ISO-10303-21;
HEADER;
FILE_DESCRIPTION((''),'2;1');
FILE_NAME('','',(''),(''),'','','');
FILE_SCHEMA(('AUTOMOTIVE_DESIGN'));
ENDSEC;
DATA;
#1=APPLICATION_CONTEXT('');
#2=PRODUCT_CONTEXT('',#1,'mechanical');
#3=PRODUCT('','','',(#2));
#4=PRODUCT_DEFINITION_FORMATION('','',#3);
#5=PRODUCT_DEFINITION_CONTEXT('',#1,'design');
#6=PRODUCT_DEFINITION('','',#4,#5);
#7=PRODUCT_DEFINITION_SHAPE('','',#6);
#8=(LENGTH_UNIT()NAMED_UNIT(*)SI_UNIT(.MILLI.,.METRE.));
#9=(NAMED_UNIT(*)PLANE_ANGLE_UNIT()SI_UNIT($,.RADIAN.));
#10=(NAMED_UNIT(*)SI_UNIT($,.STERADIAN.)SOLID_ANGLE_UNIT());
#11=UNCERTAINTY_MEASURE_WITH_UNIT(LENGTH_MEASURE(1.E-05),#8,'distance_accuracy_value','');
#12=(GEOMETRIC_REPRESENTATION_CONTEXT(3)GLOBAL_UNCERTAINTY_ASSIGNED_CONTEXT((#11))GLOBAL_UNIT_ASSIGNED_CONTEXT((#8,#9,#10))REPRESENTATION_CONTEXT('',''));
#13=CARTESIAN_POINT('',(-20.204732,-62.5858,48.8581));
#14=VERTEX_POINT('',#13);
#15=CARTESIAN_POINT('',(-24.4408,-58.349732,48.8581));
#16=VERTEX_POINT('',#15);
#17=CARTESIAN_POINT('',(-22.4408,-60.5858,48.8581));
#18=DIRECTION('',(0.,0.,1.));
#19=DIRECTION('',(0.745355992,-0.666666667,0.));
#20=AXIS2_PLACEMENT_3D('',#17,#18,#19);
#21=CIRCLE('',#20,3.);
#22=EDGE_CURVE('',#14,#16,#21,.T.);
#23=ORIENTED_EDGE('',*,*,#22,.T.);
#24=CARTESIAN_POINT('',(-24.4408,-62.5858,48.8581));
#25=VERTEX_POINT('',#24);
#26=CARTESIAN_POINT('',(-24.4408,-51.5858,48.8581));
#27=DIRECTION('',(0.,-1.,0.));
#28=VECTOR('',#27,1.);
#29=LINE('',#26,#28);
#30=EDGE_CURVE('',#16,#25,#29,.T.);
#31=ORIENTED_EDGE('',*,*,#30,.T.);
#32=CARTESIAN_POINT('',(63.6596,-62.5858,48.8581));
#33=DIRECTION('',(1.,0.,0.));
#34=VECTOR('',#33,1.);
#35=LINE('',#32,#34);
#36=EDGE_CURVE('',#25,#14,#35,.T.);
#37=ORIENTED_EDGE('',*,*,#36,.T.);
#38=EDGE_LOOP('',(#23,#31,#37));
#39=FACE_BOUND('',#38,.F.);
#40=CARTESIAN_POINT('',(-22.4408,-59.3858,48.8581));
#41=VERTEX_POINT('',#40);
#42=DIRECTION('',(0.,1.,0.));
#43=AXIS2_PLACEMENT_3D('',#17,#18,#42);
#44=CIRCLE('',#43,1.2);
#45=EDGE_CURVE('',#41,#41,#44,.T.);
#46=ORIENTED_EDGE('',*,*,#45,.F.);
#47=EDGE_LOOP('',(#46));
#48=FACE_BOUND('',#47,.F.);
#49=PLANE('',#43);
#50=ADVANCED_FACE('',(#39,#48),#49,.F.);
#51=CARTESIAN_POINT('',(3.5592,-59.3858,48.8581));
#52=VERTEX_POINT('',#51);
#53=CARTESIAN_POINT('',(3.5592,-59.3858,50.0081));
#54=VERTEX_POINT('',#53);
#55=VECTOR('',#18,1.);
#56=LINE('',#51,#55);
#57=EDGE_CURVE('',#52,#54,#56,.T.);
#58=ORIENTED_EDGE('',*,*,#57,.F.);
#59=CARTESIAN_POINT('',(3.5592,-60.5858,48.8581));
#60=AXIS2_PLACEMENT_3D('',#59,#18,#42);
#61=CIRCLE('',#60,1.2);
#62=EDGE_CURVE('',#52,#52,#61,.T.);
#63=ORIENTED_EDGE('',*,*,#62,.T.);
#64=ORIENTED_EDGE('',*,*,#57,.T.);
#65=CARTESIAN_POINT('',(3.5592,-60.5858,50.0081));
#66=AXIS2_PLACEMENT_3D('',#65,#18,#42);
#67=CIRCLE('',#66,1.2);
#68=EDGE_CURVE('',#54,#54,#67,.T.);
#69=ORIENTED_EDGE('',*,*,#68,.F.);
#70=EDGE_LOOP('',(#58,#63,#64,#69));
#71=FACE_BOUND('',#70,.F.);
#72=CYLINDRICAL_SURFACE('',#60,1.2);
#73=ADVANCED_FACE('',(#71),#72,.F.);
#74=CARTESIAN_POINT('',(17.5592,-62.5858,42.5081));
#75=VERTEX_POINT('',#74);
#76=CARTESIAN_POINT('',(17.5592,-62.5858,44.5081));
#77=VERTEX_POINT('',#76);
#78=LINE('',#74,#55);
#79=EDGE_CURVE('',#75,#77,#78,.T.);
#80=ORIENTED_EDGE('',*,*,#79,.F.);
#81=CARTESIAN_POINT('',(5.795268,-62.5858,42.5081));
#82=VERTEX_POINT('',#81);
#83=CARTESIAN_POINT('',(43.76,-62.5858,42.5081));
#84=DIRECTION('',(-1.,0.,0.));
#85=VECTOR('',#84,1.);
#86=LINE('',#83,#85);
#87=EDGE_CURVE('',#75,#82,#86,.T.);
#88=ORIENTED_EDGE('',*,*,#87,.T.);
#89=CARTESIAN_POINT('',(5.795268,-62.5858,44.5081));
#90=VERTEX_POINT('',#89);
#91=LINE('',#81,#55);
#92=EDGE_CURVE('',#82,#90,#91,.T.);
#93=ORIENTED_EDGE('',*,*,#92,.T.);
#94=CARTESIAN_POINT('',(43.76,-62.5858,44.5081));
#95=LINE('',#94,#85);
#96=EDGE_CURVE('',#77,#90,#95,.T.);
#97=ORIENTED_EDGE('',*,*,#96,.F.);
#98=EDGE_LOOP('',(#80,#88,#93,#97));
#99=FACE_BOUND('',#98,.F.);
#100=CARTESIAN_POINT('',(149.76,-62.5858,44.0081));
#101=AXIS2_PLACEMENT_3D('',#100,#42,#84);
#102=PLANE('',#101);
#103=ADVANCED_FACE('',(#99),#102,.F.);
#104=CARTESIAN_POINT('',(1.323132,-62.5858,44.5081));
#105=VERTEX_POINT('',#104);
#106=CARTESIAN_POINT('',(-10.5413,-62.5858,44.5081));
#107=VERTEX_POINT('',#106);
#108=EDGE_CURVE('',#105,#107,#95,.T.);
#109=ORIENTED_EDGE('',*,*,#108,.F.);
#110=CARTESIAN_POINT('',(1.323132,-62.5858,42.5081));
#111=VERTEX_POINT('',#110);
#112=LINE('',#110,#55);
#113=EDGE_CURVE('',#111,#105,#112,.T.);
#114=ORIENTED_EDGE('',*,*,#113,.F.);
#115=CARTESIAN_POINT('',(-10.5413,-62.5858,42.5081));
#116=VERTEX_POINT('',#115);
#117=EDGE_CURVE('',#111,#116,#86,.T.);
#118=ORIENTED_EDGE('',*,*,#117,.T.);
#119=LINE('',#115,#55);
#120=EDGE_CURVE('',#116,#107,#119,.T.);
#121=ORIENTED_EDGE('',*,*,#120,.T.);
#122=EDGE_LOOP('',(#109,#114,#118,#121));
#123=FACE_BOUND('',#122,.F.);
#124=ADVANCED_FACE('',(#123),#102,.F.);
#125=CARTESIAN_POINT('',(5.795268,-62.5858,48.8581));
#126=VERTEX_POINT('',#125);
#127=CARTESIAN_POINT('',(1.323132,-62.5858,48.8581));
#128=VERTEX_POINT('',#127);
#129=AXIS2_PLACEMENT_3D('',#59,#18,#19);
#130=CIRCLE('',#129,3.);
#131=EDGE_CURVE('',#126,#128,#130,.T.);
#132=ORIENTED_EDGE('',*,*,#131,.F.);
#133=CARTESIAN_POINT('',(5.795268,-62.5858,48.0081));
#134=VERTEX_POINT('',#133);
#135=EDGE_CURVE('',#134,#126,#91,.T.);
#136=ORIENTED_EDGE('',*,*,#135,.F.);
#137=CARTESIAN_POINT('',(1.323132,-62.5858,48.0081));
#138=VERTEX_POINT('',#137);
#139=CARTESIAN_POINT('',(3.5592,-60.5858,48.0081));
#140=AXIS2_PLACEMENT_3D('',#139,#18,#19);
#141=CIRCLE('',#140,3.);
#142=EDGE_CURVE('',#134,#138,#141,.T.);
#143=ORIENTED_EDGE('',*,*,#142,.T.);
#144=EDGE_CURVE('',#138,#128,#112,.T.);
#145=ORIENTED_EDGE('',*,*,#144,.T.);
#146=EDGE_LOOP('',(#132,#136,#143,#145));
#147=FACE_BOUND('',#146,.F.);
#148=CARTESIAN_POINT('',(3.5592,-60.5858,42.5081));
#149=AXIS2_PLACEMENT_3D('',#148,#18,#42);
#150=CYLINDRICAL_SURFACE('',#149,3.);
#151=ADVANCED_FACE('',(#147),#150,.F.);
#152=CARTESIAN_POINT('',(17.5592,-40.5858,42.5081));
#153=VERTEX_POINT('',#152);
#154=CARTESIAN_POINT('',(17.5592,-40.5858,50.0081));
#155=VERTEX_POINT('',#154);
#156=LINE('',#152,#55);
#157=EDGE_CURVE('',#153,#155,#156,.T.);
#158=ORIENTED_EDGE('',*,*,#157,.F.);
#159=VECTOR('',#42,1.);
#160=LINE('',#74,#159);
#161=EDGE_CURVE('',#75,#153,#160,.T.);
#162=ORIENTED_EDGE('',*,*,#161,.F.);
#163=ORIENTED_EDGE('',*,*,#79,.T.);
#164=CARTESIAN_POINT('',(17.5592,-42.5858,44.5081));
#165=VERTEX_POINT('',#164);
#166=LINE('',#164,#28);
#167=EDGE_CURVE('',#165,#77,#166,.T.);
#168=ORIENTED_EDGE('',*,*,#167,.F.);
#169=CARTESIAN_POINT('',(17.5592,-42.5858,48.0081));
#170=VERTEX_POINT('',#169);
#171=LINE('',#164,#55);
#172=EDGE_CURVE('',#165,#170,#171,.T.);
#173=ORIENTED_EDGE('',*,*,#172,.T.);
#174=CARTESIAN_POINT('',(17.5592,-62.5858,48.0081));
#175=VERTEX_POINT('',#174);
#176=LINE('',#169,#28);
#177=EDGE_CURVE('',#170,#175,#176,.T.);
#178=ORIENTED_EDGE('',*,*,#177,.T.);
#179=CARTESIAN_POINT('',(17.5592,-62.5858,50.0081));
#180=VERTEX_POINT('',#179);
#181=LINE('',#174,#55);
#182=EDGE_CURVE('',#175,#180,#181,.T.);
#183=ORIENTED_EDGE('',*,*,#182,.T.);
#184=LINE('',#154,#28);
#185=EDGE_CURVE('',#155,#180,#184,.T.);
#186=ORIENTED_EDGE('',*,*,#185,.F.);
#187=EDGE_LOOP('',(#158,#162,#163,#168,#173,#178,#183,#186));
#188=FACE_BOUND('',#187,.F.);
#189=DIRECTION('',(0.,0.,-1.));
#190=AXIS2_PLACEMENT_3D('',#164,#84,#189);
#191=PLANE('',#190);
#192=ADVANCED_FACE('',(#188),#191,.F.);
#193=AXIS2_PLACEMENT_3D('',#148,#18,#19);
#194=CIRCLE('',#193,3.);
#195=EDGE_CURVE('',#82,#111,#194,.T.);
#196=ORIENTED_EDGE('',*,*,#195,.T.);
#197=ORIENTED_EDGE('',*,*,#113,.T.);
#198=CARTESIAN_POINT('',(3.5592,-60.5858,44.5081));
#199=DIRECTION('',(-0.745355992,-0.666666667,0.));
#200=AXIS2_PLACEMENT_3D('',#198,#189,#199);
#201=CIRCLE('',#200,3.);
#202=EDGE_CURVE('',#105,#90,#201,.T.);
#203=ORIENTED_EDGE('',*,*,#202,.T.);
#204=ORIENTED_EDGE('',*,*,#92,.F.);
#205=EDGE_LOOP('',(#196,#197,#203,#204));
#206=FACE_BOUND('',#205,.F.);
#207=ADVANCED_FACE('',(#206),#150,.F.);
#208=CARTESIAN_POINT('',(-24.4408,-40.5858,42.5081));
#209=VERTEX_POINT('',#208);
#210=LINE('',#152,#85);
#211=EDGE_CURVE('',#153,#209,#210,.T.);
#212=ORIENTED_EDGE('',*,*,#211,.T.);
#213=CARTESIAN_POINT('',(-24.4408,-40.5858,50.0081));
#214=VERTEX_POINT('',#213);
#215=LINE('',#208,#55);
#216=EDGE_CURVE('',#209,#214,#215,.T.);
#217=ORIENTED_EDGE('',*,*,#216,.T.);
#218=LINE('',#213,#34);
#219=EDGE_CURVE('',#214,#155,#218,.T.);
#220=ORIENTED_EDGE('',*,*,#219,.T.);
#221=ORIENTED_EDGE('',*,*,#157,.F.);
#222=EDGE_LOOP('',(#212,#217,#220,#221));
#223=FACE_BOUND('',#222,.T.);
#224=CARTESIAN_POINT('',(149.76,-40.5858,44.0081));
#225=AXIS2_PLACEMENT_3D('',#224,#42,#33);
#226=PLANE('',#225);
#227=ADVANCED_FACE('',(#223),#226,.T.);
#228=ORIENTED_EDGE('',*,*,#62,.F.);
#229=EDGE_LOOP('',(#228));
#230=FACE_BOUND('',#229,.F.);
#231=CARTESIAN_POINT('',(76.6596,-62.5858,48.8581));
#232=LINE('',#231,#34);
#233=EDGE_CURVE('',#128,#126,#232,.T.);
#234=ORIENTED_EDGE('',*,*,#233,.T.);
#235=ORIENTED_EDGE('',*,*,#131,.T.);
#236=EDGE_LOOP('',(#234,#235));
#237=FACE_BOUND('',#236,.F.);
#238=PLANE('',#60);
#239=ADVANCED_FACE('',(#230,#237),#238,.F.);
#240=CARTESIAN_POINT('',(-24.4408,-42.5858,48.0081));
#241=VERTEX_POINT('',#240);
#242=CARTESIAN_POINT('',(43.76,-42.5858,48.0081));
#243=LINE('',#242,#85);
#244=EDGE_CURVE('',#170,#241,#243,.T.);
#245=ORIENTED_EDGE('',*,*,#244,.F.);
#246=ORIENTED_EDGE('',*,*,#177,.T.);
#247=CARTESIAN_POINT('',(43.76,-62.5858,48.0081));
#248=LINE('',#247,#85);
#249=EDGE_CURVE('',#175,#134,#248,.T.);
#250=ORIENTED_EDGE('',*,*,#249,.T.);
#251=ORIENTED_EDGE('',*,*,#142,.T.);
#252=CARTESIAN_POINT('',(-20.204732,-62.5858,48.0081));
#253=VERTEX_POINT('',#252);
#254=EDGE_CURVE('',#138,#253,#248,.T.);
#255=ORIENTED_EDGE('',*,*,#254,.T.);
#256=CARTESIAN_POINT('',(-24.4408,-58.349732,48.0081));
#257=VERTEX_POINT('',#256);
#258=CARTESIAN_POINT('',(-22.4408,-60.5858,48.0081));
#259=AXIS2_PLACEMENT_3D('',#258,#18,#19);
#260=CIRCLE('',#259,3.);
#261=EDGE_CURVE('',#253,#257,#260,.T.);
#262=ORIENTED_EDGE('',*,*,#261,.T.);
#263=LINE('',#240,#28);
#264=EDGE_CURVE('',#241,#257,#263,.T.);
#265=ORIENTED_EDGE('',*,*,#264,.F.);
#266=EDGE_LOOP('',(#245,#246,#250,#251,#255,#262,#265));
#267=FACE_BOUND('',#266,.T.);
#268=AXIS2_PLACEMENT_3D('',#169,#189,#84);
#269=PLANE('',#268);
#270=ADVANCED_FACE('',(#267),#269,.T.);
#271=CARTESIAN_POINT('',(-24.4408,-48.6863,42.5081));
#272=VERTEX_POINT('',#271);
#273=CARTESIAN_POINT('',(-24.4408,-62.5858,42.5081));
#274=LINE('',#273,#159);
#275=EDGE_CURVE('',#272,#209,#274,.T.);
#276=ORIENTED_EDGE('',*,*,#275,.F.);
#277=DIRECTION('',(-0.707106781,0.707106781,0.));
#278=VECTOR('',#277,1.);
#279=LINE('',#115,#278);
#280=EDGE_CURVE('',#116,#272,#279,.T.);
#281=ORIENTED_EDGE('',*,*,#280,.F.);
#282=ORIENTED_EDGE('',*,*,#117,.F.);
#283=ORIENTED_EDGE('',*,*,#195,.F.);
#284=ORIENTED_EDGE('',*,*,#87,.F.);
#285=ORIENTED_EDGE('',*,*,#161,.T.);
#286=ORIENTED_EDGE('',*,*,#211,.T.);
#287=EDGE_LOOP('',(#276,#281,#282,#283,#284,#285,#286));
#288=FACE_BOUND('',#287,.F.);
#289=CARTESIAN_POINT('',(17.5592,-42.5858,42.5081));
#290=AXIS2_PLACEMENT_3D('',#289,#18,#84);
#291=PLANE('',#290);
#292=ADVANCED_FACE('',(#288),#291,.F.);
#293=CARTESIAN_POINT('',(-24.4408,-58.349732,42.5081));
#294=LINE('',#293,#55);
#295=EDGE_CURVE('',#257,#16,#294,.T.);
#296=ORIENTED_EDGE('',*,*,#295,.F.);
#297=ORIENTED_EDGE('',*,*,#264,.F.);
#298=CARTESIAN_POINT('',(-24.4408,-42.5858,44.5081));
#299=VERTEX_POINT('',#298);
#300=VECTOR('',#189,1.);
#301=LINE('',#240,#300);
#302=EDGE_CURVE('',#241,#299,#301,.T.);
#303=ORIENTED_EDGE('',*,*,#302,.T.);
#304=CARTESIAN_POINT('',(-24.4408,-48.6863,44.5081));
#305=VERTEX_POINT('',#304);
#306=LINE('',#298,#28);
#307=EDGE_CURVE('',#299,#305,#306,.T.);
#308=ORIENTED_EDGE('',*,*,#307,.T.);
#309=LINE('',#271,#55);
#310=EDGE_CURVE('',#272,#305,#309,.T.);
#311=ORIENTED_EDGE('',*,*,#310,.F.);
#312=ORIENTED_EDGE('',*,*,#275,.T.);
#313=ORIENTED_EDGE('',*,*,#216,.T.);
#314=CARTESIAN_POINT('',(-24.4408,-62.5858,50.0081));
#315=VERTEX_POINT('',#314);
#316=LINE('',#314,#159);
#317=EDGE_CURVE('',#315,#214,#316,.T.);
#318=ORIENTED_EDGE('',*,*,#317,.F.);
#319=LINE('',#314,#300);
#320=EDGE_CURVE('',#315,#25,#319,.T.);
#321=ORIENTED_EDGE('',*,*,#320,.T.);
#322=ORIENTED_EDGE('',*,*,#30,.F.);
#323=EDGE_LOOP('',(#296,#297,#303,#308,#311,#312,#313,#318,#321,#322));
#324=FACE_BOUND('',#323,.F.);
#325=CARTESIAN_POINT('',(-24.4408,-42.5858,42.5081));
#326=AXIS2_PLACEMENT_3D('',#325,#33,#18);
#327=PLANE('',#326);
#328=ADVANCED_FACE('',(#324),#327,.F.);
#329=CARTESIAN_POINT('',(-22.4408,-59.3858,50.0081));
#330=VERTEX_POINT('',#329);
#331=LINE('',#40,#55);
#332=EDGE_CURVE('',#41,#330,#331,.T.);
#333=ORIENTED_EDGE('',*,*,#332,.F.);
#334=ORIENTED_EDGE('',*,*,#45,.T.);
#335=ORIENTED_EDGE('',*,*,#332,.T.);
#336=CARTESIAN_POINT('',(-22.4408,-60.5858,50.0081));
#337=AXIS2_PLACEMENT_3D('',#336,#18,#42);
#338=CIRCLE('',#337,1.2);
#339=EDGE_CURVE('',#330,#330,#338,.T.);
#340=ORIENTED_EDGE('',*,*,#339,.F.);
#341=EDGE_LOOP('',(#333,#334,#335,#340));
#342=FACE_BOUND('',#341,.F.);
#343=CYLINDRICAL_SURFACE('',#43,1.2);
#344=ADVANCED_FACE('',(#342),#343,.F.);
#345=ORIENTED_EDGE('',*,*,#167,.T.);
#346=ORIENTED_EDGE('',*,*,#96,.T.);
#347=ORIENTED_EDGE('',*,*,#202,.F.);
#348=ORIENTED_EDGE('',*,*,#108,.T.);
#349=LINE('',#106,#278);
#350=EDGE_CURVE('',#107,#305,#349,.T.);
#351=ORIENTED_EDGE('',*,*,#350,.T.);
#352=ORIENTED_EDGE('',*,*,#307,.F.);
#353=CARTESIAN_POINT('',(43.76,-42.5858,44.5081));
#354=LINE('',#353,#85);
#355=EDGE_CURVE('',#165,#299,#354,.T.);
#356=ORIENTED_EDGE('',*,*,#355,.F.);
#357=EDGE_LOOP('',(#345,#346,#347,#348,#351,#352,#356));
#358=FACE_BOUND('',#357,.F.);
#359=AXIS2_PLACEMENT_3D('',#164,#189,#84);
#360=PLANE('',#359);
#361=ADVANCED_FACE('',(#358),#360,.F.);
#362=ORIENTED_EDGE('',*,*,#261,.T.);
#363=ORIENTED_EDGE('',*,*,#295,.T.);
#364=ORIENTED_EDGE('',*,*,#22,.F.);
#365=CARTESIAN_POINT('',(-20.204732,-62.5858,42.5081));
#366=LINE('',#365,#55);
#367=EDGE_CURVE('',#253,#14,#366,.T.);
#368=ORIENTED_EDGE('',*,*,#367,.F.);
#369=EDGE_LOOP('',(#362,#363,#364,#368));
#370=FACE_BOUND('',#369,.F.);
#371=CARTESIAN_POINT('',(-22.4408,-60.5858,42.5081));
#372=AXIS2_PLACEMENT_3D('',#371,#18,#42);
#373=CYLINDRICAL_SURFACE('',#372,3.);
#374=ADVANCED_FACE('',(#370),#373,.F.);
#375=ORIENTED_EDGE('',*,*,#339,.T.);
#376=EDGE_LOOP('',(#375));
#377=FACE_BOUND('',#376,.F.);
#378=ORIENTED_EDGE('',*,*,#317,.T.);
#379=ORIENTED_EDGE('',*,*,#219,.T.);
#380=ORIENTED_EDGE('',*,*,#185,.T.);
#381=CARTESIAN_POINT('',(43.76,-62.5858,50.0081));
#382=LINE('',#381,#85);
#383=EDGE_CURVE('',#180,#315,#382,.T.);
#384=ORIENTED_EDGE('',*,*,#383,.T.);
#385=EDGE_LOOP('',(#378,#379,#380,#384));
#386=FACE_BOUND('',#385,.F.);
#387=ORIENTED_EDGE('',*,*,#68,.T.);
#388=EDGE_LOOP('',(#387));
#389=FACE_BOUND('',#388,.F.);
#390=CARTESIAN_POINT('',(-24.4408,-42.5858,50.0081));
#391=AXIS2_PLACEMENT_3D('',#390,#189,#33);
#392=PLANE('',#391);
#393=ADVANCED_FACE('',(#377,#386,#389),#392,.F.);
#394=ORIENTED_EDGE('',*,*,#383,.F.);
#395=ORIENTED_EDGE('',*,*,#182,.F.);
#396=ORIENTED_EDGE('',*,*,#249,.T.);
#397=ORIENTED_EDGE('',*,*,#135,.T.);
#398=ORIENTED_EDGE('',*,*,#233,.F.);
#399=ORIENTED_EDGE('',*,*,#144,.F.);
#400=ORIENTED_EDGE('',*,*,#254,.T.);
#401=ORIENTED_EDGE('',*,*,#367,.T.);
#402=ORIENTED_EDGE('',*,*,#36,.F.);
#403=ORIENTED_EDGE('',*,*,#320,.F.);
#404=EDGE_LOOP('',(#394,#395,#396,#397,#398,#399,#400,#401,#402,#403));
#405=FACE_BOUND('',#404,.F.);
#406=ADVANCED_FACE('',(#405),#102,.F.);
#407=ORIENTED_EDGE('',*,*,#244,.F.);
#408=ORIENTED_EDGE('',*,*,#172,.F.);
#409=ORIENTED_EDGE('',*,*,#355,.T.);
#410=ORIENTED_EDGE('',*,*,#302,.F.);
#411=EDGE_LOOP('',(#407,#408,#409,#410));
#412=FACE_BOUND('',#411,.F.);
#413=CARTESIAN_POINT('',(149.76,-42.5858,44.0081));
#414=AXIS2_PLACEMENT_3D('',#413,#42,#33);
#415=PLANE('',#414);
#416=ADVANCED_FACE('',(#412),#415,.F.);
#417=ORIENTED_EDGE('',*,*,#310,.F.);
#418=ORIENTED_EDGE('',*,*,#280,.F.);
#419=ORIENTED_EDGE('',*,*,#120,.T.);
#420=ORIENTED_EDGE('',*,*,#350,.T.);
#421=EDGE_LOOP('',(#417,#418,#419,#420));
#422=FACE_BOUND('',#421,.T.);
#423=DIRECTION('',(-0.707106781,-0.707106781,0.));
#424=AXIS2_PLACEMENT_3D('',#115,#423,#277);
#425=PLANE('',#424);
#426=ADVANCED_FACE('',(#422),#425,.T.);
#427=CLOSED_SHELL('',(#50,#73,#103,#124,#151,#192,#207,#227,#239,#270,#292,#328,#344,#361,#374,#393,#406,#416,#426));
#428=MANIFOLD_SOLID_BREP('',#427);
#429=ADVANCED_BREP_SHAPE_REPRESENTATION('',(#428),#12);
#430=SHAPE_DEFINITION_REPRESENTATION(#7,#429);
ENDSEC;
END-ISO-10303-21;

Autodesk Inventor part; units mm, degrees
ref_plane "YZ Plane" through (0, 0, 0) normal (1, 0, 0) x (0, 1, 0)
ref_plane "XZ Plane" through (0, 0, 0) normal (0, 1, 0) x (-1, 0, 0)
ref_plane "XY Plane" through (0, 0, 0) normal (0, 0, 1) x (1, 0, 0)
ref_plane "Work Plane1" through (149.76, -42.5858, 44.0081) normal (0, 1, 0) x (-1, 0, 0)
sketch "Sketch1" plane through (149.76, -42.5858, 44.0081) normal (0, 1, 0) x (-1, 0, 0)
  line L0 (106, 4) -> (260, 4) projected
  line L1 (106, 0) -> (260, 0) construction
  line L2 (106, 0.5) -> (260, 0.5)
  line L3 (106, 6) -> (260, 6)
  line L4 (106, -1.5) -> (260, -1.5)
  line L5 (174.2008, 6) -> (174.2008, 4)
  line L6 (132.2008, -1.5) -> (132.2008, 0.5)
  line L7 (174.2008, 4) -> (174.2008, 0.5)
  line L8 (174.2008, 0.5) -> (174.2008, -1.5)
  line L9 (132.2008, 4) -> (132.2008, 6)
  line L10 (132.2008, 0.5) -> (132.2008, 4)
  point P0 (149.76, -44.0081)
  dimension "d0" = 0.5
  dimension "d1" = 2
  dimension "d2" = 2
  dimension "d3" = 42
extrude "Extrusion1" add sketch "Sketch1" against normal blind 20 contours L9 L3 L5 L0 | L2 L8 L4 L6
sketch "Sketch2" plane through (149.76, -42.5858, 44.0081) normal (0, 1, 0) x (1, 0, 0)
  line L0 (-132.2008, 1.5) -> (-174.2008, 1.5) projected
  line L1 (-174.2008, 1.5) -> (-174.2008, -0.5) projected
  line L2 (-174.2008, -4) -> (-174.2008, -0.5) projected
  line L3 (-174.2008, -4) -> (-174.2008, -6) projected
  line L4 (-174.2008, -6) -> (-132.2008, -6) projected
  line L5 (-132.2008, -6) -> (-132.2008, -4) projected
  line L6 (-132.2008, -0.5) -> (-132.2008, -4) projected
  line L7 (-132.2008, -0.5) -> (-132.2008, 1.5) projected
  point P0 (-149.76, 44.0081)
extrude "Extrusion2" add sketch "Sketch2" along normal blind 2
sketch "Sketch3" plane through (17.5592, -62.5858, 42.5081) normal (0, 0, -1) x (-1, 0, 0)
  line L0 (0, 20) -> (0, 0) projected
  line L1 (0, 2) -> (42, 2) construction
  line L2 (42, 20) -> (42, 0) projected
  line L3 (42, 0) -> (0, 0) projected
  line L4 (28.1005, 0) -> (42, 13.8995)
  point P0 (17.5592, 62.5858)
  point P1 (40, 2)
  point P2 (14, 2)
  dimension "d8" = 2
  dimension "d12" = 7
  dimension "d23" = 45
  dimension "d24" = 2
  dimension "d25" = 26
hole "Hole1" at (3.5592, -60.5858, 42.5081) at (-22.4408, -60.5858, 42.5081) direction (0, 0, 1) diameter 2.4 end through all counterbore diameter 6 counterbore depth 6.35 clearance for "Hex Head Bolt / Nut GOST 12876-67" size "M2" standard "GOST"
sketch "Sketch4" plane through (17.5592, -40.5858, 42.5081) normal (0, 0, -1) x (-1, 0, 0)
  line L0 (0, -2) -> (0, -22) projected
  line L1 (42, -22) -> (0, -22) projected
  line L2 (28.1005, -22) -> (42, -8.1005) projected
  point P0 (17.5592, 40.5858)
extrude "Extrusion3" cut sketch "Sketch3" against normal up to surface (2 mm away)
properties part number "display_holder"
